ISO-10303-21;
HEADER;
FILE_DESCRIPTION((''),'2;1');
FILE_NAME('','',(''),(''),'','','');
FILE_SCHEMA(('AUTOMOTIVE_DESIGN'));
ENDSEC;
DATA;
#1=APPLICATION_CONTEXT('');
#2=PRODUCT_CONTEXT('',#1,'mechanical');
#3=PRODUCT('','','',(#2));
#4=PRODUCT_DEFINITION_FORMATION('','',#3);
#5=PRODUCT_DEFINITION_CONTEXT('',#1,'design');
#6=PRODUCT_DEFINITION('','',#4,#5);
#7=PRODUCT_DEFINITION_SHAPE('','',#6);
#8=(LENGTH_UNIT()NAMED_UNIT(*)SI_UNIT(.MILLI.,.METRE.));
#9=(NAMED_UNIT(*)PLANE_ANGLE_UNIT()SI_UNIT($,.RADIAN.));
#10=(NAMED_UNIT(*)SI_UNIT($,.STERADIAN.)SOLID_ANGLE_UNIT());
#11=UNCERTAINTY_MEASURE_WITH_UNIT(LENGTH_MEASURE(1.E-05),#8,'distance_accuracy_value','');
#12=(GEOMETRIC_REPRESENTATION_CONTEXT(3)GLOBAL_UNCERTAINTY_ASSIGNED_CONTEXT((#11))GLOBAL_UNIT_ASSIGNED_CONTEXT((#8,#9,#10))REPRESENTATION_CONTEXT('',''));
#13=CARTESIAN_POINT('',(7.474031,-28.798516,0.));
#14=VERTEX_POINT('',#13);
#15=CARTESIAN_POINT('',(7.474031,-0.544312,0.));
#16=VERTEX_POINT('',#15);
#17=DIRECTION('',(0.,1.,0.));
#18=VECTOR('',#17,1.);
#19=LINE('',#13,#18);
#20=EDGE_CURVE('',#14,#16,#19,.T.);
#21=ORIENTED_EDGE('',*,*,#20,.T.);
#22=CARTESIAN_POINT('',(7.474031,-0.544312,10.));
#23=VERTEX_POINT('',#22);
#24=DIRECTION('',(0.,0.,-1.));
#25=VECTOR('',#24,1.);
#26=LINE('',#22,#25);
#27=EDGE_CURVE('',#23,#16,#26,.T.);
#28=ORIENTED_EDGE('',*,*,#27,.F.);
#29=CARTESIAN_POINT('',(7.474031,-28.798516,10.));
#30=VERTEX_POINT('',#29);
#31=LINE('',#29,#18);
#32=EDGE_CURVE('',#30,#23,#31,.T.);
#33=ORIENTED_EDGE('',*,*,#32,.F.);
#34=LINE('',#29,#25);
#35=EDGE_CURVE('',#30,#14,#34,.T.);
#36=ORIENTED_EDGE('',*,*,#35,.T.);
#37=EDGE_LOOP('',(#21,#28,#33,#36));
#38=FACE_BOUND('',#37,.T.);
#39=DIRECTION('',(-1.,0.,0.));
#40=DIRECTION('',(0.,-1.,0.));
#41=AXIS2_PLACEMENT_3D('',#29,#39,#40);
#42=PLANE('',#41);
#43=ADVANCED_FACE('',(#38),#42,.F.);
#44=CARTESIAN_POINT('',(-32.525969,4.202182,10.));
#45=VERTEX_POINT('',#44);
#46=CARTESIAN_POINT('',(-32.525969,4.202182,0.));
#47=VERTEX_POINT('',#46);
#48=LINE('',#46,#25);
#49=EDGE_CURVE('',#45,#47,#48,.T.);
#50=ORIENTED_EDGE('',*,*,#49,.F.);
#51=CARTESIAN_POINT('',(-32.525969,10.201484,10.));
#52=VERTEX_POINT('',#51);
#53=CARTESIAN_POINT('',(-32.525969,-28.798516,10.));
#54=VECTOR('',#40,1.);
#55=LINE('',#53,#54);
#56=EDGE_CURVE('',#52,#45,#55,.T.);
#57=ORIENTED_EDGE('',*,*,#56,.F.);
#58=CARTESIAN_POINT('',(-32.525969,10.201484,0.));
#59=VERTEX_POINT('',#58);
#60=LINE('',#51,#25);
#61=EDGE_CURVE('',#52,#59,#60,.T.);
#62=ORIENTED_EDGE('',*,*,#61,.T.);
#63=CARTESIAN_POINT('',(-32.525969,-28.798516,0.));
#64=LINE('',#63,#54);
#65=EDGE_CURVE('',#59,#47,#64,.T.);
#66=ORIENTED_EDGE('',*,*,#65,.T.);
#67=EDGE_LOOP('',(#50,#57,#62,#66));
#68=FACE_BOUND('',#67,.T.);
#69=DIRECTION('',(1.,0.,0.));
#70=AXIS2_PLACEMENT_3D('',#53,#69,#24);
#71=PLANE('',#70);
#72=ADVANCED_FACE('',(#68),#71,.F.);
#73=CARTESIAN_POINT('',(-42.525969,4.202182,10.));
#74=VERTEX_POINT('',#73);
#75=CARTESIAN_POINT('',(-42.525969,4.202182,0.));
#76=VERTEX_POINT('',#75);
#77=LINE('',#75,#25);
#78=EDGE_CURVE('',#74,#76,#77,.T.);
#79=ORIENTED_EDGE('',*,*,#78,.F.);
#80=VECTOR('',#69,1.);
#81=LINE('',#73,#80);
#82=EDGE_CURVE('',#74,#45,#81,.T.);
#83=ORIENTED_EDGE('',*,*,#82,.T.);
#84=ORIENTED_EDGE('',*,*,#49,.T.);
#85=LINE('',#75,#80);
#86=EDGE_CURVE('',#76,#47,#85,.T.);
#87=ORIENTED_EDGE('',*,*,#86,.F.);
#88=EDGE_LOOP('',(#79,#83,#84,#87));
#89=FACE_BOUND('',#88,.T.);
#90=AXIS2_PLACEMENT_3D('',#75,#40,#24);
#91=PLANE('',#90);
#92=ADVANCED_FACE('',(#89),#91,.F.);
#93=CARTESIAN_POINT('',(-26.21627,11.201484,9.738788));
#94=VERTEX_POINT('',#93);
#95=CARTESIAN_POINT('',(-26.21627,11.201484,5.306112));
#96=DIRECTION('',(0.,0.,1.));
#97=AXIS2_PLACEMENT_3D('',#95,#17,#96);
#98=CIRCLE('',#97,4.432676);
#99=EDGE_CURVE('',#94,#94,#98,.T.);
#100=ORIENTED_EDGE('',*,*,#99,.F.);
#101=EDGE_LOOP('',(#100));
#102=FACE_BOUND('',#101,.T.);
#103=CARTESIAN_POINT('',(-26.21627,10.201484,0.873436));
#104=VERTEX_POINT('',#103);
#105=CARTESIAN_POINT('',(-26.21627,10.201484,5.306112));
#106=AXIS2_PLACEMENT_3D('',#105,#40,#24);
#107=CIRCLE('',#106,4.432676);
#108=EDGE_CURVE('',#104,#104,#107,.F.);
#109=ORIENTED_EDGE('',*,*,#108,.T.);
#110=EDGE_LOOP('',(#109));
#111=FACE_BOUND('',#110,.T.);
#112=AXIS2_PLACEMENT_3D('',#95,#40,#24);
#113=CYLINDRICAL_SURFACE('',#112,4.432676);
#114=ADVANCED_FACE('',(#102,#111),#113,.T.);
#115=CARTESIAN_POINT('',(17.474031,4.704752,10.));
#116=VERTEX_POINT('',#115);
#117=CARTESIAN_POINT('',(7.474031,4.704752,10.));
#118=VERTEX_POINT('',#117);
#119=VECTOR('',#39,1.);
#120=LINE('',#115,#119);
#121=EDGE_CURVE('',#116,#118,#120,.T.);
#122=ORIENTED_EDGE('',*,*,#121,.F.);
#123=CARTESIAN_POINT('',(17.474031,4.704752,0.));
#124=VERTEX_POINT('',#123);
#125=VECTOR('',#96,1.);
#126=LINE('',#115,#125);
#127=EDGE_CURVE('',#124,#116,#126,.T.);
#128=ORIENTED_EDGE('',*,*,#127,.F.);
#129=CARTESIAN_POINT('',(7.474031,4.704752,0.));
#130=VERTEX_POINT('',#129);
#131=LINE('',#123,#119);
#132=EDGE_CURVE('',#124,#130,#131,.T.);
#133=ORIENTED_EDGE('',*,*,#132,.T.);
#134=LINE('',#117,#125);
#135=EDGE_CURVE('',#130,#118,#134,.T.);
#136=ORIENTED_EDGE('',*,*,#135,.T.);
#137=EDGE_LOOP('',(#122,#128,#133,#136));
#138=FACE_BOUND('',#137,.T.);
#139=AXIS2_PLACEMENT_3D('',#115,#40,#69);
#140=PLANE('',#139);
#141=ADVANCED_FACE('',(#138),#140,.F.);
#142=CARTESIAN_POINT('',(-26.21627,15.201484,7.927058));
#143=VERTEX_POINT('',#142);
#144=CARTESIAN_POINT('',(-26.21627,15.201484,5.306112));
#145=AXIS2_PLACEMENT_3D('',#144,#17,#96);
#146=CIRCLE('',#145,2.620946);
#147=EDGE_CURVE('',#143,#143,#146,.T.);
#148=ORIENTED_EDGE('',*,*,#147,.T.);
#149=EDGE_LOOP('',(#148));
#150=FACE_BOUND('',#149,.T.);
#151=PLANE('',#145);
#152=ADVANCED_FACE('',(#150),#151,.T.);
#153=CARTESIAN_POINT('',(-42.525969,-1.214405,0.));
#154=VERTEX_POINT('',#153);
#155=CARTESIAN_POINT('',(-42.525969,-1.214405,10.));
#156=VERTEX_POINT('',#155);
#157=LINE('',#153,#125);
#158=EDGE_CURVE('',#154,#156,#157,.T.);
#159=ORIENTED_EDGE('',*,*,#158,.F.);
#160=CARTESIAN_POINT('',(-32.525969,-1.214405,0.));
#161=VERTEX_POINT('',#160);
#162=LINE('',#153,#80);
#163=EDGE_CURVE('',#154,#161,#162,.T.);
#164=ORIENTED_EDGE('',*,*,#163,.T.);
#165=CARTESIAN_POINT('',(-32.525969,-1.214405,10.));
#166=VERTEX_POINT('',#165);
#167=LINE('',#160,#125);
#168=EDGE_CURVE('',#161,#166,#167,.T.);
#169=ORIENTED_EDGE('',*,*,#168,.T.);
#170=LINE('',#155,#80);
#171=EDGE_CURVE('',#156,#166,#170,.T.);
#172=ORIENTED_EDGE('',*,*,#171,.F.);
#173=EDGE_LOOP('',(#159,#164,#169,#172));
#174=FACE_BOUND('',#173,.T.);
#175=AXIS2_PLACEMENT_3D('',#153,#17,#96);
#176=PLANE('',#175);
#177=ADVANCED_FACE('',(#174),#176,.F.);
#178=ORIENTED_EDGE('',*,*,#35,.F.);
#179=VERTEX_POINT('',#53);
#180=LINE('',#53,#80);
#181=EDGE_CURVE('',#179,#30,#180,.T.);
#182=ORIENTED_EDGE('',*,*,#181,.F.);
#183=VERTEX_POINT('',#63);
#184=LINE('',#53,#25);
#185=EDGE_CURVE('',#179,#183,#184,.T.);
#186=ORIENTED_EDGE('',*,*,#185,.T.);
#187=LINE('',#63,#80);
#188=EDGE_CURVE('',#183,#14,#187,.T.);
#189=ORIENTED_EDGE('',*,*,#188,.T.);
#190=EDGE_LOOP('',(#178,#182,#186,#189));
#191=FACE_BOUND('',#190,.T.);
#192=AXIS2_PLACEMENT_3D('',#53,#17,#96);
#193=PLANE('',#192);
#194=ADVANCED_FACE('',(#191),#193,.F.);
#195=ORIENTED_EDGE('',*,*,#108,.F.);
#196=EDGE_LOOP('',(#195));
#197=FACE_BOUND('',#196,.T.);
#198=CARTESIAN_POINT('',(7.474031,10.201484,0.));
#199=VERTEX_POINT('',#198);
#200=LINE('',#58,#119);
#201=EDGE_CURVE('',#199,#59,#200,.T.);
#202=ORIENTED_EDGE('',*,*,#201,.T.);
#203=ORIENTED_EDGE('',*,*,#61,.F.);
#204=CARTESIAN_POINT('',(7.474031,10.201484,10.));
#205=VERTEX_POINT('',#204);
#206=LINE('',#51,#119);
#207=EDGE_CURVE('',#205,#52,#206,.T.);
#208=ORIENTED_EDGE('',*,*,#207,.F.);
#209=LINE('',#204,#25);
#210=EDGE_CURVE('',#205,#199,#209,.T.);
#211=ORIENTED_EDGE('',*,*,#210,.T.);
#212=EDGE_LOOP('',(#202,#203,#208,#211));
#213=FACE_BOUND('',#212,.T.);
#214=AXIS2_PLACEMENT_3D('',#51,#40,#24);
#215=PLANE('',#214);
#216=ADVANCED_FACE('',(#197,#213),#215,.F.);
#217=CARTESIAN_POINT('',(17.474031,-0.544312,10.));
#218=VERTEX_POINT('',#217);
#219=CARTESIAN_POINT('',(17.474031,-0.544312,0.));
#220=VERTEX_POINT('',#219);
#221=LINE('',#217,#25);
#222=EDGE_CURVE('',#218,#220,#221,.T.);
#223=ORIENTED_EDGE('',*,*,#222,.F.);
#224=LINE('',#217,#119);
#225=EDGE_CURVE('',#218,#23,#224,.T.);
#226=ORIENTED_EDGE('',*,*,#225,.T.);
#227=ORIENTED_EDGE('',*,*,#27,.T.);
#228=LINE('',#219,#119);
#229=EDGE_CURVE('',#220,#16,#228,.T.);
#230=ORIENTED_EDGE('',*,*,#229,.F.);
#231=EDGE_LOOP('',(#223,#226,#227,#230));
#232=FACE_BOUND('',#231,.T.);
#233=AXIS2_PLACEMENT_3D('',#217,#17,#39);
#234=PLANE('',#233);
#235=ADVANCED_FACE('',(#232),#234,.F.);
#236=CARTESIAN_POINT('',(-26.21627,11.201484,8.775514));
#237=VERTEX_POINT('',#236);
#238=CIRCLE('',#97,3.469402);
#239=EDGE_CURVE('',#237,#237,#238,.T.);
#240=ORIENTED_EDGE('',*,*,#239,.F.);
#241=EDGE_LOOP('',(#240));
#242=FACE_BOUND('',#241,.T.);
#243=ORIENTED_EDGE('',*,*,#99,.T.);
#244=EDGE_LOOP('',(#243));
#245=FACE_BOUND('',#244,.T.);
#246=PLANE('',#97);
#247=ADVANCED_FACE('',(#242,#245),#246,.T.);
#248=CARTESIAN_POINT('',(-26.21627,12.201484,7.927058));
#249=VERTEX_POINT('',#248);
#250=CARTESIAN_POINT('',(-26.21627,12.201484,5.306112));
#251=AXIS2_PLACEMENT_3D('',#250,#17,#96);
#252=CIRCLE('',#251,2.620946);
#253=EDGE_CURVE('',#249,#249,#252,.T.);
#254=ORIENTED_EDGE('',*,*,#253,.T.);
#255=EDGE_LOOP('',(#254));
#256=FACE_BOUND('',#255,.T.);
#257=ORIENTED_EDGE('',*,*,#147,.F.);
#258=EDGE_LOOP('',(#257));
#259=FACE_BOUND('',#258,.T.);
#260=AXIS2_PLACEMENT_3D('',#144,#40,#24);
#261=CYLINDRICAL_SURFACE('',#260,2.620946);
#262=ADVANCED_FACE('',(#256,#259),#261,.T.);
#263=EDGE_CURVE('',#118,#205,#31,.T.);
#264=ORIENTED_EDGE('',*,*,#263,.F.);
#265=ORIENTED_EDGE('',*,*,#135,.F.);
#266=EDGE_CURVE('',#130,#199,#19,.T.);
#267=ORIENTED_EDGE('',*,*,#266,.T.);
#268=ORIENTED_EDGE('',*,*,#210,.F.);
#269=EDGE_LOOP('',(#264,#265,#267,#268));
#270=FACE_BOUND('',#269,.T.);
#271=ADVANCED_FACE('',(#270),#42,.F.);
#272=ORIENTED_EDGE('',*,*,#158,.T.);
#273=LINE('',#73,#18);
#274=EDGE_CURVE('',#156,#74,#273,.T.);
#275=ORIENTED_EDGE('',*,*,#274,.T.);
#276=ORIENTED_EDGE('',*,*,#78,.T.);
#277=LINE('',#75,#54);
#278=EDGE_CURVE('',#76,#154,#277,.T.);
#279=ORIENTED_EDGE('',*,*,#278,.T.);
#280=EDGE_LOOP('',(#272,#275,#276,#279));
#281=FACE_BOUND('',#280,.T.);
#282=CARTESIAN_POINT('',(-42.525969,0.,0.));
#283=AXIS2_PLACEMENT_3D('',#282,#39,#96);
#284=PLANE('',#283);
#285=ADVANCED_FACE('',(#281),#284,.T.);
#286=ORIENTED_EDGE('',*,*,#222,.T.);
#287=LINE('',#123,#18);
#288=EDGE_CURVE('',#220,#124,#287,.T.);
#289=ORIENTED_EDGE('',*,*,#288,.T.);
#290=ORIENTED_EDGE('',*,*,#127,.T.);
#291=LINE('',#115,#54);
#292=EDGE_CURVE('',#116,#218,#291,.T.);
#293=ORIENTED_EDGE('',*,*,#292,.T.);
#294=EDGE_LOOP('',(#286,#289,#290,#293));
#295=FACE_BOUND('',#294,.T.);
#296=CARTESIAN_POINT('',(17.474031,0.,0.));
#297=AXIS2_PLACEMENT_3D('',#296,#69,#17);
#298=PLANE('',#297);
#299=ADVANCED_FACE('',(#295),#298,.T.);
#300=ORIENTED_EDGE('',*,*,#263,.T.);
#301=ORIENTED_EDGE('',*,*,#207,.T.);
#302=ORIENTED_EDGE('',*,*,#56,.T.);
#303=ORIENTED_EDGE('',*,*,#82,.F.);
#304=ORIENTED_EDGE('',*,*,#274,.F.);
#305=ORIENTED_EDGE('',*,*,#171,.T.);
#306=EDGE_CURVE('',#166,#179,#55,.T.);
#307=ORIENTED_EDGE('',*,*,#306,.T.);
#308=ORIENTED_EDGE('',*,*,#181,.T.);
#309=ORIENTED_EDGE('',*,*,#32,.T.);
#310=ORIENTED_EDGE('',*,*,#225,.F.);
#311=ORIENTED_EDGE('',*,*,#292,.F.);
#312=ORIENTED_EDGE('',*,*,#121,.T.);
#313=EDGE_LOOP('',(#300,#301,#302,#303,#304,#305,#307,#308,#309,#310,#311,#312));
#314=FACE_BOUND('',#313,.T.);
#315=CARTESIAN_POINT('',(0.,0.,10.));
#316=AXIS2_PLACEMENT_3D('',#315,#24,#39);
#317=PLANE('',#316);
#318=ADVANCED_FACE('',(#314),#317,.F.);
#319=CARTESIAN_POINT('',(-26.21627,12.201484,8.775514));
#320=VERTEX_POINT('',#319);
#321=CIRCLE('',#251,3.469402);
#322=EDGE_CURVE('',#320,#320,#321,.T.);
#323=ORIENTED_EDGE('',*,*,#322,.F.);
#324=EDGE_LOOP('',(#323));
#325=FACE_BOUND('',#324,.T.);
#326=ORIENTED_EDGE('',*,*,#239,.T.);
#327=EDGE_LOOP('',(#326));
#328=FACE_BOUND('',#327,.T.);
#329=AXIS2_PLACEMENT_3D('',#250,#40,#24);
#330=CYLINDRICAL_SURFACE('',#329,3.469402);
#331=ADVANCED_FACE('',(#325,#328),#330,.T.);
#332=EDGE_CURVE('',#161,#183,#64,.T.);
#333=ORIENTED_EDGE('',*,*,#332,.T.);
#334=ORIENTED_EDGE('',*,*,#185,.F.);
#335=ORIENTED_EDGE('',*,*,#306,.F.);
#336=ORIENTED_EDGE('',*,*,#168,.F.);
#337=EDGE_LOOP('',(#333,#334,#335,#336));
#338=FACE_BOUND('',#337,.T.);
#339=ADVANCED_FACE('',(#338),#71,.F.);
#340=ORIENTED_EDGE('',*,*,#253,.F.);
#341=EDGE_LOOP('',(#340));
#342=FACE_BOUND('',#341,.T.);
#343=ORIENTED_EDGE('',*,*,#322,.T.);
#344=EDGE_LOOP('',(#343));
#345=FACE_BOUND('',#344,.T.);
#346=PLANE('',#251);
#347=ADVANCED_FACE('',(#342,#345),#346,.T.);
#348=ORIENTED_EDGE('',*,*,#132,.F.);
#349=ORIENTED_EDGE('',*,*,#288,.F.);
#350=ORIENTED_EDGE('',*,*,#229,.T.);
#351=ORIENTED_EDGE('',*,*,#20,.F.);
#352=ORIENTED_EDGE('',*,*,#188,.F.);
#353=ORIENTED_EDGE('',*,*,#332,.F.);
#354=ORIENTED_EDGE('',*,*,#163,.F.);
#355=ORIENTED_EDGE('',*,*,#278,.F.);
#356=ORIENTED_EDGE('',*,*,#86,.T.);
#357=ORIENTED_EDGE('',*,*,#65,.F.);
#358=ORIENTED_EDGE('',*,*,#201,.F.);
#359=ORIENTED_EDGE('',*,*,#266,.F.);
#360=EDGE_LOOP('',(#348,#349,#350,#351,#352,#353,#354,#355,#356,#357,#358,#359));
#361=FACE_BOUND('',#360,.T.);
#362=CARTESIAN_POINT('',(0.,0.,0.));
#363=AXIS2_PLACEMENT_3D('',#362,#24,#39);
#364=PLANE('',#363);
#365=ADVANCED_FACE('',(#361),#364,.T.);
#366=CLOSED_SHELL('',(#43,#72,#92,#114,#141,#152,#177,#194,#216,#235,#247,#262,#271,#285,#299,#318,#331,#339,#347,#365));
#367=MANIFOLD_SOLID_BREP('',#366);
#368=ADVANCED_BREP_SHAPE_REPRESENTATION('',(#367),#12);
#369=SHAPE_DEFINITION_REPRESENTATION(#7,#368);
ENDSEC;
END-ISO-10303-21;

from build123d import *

# Parameters (mm, degrees)
SKETCH_1_W      = 40
SKETCH_1_H      = 39
EXTRUDE_1_DEPTH = 10
SKETCH_2_R      = 4.432676277
EXTRUDE_4_DEPTH = 1
SKETCH_3_R      = 3.469401761
EXTRUDE_5_DEPTH = 1
SKETCH_5_R      = 2.620946211
EXTRUDE_6_DEPTH = 3
SKETCH_6_W      = 10
SKETCH_6_H      = 5.416587347
EXTRUDE_7_DEPTH = 10
SKETCH_7_W      = 10
SKETCH_7_H      = 5.249064027
EXTRUDE_8_DEPTH = 10


with BuildPart() as part:
    # 草图1 → 凸台-拉伸1 (new body)
    with BuildSketch(Plane.XY):
        with Locations((-12.52596939, -9.298515699)):
            Rectangle(SKETCH_1_W, SKETCH_1_H)
    extrude(amount=EXTRUDE_1_DEPTH)

    # 草图2 → 凸台-拉伸4 (add)
    with BuildSketch(Plane(origin=(0, 10.201484301, 0), x_dir=(1, 0, 0), z_dir=(0, 1, 0))):
        with Locations(Location((-26.216270459, -5.306111922, 0), (0, 0, 90))):
            Circle(SKETCH_2_R)
    extrude(amount=EXTRUDE_4_DEPTH)

    # 草图3 → 凸台-拉伸5 (add)
    with BuildSketch(Plane(origin=(0, 11.201484301, 0), x_dir=(1, 0, 0), z_dir=(0, 1, 0))):
        with Locations(Location((-26.216270459, -5.306111922, 0), (0, 0, 270))):
            Circle(SKETCH_3_R)
    extrude(amount=EXTRUDE_5_DEPTH)

    # 草图5 → 凸台-拉伸6 (add)
    with BuildSketch(Plane(origin=(0, 12.201484301, 0), x_dir=(1, 0, 0), z_dir=(0, 1, 0))):
        with Locations(Location((-26.216270459, -5.306111922, 0), (0, 0, 270))):
            Circle(SKETCH_5_R)
    extrude(amount=EXTRUDE_6_DEPTH)

    # 草图6 → 凸台-拉伸7 (add)
    with BuildSketch(Plane.ZY.offset(32.52596939)):
        with Locations((5, 1.493888641)):
            Rectangle(SKETCH_6_W, SKETCH_6_H)
    extrude(amount=EXTRUDE_7_DEPTH)

    # 草图7 → 凸台-拉伸8 (add)
    with BuildSketch(Plane(origin=(7.47403061, 0, 0), x_dir=(0, 0, -1), z_dir=(1, 0, 0))):
        with Locations((-5, 2.080220262)):
            Rectangle(SKETCH_7_W, SKETCH_7_H)
    extrude(amount=EXTRUDE_8_DEPTH)


solid = part.part
